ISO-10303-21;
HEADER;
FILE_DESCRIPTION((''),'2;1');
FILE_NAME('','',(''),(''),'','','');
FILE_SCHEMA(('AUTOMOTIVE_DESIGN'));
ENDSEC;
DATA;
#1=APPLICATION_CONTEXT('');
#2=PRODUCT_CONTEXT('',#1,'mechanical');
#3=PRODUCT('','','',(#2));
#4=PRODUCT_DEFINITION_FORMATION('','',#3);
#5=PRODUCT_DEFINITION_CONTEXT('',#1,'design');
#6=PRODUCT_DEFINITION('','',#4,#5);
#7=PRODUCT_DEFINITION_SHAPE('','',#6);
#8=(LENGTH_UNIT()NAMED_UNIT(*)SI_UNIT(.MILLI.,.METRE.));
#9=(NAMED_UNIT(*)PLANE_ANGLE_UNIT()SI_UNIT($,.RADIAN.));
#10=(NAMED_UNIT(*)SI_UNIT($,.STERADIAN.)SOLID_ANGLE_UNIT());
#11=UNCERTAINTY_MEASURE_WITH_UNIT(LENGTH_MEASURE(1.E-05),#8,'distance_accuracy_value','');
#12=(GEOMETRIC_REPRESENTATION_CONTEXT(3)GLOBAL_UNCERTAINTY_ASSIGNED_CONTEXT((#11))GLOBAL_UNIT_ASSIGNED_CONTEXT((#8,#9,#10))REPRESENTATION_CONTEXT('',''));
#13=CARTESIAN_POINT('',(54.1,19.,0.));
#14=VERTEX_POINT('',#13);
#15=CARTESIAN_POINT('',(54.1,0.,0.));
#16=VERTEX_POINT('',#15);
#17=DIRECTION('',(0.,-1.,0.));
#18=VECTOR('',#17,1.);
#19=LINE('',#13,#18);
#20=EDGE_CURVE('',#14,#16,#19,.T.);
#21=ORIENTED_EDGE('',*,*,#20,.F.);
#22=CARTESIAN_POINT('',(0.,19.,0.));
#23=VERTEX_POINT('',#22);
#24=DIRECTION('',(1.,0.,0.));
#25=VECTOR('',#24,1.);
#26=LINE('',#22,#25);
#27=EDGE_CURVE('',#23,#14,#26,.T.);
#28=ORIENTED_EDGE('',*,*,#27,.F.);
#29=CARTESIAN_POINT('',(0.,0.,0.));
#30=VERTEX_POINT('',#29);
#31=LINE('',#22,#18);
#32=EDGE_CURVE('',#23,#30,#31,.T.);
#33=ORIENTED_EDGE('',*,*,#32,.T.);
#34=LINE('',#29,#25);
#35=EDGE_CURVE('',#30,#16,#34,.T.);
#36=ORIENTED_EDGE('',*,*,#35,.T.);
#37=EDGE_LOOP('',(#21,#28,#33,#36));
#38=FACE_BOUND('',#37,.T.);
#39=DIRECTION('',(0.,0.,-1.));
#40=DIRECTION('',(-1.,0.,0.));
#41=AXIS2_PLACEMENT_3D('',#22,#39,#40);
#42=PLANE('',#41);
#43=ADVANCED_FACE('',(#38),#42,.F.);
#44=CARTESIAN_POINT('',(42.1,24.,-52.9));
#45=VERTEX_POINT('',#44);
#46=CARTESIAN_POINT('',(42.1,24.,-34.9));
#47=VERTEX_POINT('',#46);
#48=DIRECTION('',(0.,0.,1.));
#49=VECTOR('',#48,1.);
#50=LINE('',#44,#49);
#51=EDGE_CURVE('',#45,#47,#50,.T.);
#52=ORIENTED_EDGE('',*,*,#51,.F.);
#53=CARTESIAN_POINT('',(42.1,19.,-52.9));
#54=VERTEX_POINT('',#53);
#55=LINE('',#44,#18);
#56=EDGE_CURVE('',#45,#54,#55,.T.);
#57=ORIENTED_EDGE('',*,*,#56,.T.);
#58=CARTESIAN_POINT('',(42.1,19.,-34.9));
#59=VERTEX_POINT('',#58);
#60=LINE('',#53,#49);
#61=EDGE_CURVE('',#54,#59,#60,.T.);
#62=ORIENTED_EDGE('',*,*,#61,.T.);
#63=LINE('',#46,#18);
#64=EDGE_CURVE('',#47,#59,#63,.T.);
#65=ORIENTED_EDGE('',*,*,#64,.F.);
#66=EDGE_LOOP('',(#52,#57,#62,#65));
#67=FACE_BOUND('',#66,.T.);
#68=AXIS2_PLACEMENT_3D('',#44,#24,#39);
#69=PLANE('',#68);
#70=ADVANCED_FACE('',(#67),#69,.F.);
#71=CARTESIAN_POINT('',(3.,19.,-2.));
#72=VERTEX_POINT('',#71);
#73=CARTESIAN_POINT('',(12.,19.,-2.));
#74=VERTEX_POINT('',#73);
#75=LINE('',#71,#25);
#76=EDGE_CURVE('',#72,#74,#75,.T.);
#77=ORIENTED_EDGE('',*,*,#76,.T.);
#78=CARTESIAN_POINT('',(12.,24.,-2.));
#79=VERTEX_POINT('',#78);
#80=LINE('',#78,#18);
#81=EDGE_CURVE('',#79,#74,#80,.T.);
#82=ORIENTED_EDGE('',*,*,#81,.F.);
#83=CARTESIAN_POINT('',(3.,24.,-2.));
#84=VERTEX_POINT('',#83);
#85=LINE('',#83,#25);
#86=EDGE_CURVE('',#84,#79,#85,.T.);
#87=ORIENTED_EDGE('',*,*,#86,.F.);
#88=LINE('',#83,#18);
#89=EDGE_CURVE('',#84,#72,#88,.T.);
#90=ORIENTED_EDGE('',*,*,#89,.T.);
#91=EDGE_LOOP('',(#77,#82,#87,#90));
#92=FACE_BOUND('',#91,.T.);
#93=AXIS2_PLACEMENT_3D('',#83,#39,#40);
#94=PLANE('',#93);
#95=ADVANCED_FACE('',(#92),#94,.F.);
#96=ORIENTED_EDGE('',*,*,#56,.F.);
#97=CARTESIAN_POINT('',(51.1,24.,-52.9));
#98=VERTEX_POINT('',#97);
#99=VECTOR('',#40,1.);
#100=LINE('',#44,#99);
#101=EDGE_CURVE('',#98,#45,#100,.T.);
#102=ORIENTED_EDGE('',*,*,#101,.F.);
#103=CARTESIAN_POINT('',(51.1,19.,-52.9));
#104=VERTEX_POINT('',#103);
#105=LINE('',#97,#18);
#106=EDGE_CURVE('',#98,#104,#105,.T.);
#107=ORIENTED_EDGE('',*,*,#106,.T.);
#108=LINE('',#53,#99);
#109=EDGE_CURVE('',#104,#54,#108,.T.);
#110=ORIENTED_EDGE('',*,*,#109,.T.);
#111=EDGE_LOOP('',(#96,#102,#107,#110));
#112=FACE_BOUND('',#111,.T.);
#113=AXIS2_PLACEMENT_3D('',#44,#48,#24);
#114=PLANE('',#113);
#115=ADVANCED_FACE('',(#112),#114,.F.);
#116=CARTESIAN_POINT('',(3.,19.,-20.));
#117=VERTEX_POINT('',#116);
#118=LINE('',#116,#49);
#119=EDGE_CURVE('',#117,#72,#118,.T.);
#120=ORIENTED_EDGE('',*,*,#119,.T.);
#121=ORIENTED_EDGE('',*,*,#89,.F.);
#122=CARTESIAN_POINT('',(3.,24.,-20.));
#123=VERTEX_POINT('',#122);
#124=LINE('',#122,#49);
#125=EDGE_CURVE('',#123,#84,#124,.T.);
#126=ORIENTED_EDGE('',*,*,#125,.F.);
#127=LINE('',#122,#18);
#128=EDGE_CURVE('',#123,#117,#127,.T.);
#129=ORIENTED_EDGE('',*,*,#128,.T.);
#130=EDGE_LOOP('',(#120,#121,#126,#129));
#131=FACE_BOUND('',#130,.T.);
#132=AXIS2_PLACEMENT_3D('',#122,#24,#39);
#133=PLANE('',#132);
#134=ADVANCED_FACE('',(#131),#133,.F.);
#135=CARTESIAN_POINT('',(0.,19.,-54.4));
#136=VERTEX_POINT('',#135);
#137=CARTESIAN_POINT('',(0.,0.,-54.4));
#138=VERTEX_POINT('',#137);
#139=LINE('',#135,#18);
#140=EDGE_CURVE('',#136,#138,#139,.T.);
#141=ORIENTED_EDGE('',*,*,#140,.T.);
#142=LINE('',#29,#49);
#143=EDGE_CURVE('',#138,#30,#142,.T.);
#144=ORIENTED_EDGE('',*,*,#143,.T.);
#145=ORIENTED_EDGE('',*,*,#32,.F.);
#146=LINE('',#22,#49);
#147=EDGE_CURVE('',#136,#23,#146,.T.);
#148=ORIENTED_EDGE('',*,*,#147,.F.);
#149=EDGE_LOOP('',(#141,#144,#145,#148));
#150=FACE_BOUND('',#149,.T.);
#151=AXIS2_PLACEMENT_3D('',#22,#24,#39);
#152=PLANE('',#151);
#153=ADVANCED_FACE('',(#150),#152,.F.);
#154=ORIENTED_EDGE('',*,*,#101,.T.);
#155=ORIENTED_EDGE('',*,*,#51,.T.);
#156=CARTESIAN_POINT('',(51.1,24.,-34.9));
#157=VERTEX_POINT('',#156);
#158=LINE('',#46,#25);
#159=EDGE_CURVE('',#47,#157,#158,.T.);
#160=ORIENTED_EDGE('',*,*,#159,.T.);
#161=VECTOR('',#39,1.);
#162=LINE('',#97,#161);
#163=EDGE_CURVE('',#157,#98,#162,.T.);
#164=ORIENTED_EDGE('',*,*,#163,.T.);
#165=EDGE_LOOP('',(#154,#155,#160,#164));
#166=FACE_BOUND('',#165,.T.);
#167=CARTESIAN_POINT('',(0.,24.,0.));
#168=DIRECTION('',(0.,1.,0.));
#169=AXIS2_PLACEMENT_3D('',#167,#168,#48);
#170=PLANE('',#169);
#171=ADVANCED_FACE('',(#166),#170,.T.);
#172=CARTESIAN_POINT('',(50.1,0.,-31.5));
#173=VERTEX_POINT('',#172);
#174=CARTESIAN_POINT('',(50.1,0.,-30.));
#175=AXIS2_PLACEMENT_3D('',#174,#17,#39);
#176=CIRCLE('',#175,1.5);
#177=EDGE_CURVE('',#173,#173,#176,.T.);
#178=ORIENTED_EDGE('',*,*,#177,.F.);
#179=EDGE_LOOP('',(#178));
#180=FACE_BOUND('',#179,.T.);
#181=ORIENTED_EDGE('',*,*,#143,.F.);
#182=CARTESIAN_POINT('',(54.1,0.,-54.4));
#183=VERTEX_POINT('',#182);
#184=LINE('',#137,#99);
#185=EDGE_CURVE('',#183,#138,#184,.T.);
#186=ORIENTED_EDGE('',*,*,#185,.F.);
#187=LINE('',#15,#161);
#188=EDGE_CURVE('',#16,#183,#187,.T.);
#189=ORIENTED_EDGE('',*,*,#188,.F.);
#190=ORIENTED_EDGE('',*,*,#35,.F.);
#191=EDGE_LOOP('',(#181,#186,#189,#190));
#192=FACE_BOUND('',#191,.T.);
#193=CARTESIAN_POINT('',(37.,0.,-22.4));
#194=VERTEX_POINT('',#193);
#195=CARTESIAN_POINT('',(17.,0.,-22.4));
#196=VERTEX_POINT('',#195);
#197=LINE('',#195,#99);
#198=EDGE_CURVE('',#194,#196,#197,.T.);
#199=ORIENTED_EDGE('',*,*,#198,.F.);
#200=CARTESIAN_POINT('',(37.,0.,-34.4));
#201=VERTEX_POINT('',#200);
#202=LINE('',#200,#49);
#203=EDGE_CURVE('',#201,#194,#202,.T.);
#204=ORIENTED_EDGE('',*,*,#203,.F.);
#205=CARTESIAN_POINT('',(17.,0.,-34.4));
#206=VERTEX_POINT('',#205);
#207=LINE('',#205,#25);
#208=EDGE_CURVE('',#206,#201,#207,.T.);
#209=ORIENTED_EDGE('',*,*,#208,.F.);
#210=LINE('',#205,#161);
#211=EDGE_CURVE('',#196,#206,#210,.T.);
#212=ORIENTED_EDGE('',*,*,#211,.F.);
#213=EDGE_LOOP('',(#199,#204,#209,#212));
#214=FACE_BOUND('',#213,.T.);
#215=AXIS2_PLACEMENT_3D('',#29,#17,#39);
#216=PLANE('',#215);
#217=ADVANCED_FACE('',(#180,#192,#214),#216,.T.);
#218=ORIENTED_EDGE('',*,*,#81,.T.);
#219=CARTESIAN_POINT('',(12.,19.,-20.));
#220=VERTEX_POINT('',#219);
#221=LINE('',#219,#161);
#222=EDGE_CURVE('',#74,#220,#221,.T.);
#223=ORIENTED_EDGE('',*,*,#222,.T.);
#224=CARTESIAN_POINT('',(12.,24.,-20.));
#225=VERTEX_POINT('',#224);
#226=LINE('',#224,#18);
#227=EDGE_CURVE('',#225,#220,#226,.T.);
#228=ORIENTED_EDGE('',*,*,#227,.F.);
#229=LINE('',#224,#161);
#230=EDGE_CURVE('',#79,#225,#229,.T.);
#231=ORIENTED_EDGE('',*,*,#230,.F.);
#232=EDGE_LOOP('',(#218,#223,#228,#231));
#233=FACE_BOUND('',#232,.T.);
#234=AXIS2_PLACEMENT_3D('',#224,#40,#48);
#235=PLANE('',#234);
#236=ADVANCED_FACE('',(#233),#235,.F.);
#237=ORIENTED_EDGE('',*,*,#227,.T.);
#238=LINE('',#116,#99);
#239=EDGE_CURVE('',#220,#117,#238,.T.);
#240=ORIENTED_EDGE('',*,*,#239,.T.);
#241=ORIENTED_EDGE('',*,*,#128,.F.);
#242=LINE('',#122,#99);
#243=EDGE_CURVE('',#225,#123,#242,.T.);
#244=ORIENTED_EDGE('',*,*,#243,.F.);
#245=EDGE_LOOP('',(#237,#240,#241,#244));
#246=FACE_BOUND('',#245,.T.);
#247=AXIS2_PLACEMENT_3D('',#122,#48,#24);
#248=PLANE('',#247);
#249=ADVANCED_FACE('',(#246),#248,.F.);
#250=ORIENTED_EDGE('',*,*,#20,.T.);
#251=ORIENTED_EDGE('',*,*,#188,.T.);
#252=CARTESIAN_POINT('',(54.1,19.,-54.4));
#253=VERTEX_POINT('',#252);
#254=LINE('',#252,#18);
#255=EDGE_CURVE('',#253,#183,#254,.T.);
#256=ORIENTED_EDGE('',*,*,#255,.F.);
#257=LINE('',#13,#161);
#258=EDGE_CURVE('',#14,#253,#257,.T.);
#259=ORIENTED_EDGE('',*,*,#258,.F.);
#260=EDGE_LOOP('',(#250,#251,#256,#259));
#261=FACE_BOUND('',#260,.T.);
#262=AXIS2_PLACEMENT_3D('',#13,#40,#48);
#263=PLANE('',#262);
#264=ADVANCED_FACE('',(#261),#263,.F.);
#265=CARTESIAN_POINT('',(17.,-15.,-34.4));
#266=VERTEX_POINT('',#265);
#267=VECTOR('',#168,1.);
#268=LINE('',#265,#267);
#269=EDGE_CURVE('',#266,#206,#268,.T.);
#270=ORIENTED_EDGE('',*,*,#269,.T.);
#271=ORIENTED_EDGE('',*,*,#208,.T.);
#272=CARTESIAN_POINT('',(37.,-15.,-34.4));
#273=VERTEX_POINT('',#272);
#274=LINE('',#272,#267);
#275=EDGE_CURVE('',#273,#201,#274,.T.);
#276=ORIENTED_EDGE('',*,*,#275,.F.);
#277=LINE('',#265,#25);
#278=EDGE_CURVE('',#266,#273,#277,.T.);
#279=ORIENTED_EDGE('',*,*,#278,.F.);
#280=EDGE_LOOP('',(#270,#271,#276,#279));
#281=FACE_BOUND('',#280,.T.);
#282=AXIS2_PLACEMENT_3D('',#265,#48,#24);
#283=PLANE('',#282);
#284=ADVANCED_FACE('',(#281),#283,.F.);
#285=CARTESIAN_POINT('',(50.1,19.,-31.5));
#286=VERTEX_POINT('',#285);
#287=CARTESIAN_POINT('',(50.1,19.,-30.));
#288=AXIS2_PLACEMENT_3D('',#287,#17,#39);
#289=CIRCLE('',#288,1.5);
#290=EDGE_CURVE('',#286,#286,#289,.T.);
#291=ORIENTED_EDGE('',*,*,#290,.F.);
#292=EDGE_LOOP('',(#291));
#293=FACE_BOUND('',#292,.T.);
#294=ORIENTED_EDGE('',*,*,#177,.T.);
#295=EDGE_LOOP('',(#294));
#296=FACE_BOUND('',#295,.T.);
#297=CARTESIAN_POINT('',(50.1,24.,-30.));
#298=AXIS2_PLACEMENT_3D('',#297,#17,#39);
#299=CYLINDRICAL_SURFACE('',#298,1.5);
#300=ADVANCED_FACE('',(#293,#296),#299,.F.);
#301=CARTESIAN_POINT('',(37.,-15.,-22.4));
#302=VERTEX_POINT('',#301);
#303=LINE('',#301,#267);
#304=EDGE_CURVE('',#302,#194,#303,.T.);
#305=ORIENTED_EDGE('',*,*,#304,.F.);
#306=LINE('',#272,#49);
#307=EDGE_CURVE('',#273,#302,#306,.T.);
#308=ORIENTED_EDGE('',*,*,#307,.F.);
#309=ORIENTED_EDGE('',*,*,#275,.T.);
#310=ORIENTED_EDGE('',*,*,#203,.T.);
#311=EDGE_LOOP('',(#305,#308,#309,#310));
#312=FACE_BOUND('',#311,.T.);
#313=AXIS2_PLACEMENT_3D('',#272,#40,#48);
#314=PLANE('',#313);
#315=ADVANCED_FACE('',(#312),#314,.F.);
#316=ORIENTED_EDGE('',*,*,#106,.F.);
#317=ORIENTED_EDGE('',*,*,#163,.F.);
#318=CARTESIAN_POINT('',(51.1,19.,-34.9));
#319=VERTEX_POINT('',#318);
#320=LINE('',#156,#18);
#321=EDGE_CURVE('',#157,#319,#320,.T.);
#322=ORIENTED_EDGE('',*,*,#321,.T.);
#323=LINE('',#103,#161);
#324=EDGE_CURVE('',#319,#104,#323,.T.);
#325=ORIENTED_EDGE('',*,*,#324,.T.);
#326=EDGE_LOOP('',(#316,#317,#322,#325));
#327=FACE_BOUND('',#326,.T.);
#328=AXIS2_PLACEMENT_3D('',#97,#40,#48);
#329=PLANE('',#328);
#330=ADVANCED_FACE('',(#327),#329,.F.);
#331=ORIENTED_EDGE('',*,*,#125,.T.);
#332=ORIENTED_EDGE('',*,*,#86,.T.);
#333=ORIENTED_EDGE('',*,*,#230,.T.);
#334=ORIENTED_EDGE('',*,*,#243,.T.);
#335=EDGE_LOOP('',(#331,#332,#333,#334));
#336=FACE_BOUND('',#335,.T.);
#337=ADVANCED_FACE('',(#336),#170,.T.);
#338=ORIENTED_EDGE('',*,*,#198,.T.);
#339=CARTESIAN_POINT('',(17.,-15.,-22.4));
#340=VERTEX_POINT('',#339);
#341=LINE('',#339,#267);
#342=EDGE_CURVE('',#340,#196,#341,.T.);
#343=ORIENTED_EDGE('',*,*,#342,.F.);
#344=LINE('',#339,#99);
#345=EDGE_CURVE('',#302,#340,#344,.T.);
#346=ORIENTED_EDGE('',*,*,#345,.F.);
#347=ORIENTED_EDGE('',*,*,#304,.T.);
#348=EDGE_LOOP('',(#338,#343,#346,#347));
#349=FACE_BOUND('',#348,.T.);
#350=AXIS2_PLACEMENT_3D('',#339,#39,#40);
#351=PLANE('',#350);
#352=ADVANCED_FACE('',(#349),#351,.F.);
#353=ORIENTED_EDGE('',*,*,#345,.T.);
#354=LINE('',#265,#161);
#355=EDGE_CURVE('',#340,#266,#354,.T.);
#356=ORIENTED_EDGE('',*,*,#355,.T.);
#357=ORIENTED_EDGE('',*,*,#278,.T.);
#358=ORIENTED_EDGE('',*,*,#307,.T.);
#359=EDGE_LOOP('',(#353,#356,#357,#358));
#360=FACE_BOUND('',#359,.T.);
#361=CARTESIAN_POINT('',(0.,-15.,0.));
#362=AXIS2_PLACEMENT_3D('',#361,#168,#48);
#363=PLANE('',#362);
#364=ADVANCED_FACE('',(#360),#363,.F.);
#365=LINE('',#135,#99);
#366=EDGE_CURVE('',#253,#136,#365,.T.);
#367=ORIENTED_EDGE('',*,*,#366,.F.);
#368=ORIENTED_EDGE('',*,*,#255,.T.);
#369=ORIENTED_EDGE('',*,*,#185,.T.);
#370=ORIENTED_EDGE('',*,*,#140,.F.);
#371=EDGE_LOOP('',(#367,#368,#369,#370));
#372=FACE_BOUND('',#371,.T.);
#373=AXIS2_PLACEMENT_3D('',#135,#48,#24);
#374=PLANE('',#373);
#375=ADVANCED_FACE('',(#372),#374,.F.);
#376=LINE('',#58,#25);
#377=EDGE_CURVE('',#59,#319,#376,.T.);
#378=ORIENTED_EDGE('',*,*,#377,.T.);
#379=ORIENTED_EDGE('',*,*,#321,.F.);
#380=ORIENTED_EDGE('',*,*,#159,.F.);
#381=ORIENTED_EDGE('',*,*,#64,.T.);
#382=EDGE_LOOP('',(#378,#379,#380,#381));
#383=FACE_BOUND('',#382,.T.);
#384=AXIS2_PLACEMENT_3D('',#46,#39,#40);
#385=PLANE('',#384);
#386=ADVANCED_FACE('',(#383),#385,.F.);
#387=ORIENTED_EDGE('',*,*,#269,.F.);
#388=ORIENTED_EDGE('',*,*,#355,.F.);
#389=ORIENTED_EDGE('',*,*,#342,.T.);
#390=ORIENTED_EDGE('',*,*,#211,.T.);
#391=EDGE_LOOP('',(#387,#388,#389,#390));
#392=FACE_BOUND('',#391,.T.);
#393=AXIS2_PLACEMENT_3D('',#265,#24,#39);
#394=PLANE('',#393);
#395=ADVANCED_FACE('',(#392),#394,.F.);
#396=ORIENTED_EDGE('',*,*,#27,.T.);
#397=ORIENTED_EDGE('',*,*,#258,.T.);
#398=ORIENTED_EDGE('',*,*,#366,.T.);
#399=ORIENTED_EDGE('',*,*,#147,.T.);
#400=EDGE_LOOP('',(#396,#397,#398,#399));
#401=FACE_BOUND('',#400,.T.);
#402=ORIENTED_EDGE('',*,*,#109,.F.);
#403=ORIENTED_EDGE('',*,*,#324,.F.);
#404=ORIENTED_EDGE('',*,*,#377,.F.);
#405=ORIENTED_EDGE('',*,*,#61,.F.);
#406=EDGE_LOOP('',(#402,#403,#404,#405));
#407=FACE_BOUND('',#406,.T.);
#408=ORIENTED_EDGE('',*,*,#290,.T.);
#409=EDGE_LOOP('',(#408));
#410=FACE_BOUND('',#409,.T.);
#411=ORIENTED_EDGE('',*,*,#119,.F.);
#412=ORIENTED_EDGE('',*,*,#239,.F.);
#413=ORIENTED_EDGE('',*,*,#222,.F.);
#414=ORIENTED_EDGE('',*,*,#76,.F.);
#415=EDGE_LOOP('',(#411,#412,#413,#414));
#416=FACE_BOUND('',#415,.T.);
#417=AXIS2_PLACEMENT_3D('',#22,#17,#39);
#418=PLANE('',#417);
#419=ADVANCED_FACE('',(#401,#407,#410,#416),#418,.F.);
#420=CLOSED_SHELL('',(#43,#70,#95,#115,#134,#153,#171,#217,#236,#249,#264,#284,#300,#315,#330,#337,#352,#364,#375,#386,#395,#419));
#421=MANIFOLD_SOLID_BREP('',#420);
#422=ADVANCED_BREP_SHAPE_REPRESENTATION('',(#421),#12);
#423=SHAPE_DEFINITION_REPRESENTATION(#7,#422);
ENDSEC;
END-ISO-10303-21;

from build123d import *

# Parameters (mm, degrees)
ESQUISSE1_W             = 54.1
ESQUISSE1_H             = 54.4
BOSS_EXTRU_1_DEPTH      = 19
ESQUISSE2_W             = 20
ESQUISSE2_H             = 12
BOSS_EXTRU_2_DEPTH      = 15
ESQUISSE3_W             = 9
ESQUISSE3_H             = 18
BOSS_EXTRU_3_DEPTH      = 5
ESQUISSE4_R             = 1.5
ENL_V_MAT_EXTRU_1_DEPTH = 81.387623426


with BuildPart() as part:
    # Esquisse1 → Boss.-Extru.1 (new body)
    with BuildSketch(Plane(origin=(0, 0, 0), x_dir=(1, 0, 0), z_dir=(0, 1, 0))):
        with Locations((27.05, 27.2)):
            Rectangle(ESQUISSE1_W, ESQUISSE1_H)
    extrude(amount=BOSS_EXTRU_1_DEPTH)

    # Esquisse2 → Boss.-Extru.2 (add)
    with BuildSketch(Plane.XZ):
        with Locations((27, -28.4)):
            Rectangle(ESQUISSE2_W, ESQUISSE2_H)
    extrude(amount=BOSS_EXTRU_2_DEPTH)

    # Esquisse3 → Boss.-Extru.3 (add)
    with BuildSketch(Plane(origin=(0, 19, 0), x_dir=(1, 0, 0), z_dir=(0, 1, 0))):
        with Locations((46.6, 43.9)):
            Rectangle(ESQUISSE3_W, ESQUISSE3_H)
        with Locations((7.5, 11)):
            Rectangle(ESQUISSE3_W, ESQUISSE3_H)
    extrude(amount=BOSS_EXTRU_3_DEPTH)

    # Esquisse4 → Enlèv. mat.-Extru.1 (cut, through all)
    with BuildSketch(Plane.XZ):
        with Locations(Location((50.1, -30, 0), (0, 0, 270))):
            Circle(ESQUISSE4_R)
    extrude(amount=-ENL_V_MAT_EXTRU_1_DEPTH, mode=Mode.SUBTRACT)


solid = part.part
